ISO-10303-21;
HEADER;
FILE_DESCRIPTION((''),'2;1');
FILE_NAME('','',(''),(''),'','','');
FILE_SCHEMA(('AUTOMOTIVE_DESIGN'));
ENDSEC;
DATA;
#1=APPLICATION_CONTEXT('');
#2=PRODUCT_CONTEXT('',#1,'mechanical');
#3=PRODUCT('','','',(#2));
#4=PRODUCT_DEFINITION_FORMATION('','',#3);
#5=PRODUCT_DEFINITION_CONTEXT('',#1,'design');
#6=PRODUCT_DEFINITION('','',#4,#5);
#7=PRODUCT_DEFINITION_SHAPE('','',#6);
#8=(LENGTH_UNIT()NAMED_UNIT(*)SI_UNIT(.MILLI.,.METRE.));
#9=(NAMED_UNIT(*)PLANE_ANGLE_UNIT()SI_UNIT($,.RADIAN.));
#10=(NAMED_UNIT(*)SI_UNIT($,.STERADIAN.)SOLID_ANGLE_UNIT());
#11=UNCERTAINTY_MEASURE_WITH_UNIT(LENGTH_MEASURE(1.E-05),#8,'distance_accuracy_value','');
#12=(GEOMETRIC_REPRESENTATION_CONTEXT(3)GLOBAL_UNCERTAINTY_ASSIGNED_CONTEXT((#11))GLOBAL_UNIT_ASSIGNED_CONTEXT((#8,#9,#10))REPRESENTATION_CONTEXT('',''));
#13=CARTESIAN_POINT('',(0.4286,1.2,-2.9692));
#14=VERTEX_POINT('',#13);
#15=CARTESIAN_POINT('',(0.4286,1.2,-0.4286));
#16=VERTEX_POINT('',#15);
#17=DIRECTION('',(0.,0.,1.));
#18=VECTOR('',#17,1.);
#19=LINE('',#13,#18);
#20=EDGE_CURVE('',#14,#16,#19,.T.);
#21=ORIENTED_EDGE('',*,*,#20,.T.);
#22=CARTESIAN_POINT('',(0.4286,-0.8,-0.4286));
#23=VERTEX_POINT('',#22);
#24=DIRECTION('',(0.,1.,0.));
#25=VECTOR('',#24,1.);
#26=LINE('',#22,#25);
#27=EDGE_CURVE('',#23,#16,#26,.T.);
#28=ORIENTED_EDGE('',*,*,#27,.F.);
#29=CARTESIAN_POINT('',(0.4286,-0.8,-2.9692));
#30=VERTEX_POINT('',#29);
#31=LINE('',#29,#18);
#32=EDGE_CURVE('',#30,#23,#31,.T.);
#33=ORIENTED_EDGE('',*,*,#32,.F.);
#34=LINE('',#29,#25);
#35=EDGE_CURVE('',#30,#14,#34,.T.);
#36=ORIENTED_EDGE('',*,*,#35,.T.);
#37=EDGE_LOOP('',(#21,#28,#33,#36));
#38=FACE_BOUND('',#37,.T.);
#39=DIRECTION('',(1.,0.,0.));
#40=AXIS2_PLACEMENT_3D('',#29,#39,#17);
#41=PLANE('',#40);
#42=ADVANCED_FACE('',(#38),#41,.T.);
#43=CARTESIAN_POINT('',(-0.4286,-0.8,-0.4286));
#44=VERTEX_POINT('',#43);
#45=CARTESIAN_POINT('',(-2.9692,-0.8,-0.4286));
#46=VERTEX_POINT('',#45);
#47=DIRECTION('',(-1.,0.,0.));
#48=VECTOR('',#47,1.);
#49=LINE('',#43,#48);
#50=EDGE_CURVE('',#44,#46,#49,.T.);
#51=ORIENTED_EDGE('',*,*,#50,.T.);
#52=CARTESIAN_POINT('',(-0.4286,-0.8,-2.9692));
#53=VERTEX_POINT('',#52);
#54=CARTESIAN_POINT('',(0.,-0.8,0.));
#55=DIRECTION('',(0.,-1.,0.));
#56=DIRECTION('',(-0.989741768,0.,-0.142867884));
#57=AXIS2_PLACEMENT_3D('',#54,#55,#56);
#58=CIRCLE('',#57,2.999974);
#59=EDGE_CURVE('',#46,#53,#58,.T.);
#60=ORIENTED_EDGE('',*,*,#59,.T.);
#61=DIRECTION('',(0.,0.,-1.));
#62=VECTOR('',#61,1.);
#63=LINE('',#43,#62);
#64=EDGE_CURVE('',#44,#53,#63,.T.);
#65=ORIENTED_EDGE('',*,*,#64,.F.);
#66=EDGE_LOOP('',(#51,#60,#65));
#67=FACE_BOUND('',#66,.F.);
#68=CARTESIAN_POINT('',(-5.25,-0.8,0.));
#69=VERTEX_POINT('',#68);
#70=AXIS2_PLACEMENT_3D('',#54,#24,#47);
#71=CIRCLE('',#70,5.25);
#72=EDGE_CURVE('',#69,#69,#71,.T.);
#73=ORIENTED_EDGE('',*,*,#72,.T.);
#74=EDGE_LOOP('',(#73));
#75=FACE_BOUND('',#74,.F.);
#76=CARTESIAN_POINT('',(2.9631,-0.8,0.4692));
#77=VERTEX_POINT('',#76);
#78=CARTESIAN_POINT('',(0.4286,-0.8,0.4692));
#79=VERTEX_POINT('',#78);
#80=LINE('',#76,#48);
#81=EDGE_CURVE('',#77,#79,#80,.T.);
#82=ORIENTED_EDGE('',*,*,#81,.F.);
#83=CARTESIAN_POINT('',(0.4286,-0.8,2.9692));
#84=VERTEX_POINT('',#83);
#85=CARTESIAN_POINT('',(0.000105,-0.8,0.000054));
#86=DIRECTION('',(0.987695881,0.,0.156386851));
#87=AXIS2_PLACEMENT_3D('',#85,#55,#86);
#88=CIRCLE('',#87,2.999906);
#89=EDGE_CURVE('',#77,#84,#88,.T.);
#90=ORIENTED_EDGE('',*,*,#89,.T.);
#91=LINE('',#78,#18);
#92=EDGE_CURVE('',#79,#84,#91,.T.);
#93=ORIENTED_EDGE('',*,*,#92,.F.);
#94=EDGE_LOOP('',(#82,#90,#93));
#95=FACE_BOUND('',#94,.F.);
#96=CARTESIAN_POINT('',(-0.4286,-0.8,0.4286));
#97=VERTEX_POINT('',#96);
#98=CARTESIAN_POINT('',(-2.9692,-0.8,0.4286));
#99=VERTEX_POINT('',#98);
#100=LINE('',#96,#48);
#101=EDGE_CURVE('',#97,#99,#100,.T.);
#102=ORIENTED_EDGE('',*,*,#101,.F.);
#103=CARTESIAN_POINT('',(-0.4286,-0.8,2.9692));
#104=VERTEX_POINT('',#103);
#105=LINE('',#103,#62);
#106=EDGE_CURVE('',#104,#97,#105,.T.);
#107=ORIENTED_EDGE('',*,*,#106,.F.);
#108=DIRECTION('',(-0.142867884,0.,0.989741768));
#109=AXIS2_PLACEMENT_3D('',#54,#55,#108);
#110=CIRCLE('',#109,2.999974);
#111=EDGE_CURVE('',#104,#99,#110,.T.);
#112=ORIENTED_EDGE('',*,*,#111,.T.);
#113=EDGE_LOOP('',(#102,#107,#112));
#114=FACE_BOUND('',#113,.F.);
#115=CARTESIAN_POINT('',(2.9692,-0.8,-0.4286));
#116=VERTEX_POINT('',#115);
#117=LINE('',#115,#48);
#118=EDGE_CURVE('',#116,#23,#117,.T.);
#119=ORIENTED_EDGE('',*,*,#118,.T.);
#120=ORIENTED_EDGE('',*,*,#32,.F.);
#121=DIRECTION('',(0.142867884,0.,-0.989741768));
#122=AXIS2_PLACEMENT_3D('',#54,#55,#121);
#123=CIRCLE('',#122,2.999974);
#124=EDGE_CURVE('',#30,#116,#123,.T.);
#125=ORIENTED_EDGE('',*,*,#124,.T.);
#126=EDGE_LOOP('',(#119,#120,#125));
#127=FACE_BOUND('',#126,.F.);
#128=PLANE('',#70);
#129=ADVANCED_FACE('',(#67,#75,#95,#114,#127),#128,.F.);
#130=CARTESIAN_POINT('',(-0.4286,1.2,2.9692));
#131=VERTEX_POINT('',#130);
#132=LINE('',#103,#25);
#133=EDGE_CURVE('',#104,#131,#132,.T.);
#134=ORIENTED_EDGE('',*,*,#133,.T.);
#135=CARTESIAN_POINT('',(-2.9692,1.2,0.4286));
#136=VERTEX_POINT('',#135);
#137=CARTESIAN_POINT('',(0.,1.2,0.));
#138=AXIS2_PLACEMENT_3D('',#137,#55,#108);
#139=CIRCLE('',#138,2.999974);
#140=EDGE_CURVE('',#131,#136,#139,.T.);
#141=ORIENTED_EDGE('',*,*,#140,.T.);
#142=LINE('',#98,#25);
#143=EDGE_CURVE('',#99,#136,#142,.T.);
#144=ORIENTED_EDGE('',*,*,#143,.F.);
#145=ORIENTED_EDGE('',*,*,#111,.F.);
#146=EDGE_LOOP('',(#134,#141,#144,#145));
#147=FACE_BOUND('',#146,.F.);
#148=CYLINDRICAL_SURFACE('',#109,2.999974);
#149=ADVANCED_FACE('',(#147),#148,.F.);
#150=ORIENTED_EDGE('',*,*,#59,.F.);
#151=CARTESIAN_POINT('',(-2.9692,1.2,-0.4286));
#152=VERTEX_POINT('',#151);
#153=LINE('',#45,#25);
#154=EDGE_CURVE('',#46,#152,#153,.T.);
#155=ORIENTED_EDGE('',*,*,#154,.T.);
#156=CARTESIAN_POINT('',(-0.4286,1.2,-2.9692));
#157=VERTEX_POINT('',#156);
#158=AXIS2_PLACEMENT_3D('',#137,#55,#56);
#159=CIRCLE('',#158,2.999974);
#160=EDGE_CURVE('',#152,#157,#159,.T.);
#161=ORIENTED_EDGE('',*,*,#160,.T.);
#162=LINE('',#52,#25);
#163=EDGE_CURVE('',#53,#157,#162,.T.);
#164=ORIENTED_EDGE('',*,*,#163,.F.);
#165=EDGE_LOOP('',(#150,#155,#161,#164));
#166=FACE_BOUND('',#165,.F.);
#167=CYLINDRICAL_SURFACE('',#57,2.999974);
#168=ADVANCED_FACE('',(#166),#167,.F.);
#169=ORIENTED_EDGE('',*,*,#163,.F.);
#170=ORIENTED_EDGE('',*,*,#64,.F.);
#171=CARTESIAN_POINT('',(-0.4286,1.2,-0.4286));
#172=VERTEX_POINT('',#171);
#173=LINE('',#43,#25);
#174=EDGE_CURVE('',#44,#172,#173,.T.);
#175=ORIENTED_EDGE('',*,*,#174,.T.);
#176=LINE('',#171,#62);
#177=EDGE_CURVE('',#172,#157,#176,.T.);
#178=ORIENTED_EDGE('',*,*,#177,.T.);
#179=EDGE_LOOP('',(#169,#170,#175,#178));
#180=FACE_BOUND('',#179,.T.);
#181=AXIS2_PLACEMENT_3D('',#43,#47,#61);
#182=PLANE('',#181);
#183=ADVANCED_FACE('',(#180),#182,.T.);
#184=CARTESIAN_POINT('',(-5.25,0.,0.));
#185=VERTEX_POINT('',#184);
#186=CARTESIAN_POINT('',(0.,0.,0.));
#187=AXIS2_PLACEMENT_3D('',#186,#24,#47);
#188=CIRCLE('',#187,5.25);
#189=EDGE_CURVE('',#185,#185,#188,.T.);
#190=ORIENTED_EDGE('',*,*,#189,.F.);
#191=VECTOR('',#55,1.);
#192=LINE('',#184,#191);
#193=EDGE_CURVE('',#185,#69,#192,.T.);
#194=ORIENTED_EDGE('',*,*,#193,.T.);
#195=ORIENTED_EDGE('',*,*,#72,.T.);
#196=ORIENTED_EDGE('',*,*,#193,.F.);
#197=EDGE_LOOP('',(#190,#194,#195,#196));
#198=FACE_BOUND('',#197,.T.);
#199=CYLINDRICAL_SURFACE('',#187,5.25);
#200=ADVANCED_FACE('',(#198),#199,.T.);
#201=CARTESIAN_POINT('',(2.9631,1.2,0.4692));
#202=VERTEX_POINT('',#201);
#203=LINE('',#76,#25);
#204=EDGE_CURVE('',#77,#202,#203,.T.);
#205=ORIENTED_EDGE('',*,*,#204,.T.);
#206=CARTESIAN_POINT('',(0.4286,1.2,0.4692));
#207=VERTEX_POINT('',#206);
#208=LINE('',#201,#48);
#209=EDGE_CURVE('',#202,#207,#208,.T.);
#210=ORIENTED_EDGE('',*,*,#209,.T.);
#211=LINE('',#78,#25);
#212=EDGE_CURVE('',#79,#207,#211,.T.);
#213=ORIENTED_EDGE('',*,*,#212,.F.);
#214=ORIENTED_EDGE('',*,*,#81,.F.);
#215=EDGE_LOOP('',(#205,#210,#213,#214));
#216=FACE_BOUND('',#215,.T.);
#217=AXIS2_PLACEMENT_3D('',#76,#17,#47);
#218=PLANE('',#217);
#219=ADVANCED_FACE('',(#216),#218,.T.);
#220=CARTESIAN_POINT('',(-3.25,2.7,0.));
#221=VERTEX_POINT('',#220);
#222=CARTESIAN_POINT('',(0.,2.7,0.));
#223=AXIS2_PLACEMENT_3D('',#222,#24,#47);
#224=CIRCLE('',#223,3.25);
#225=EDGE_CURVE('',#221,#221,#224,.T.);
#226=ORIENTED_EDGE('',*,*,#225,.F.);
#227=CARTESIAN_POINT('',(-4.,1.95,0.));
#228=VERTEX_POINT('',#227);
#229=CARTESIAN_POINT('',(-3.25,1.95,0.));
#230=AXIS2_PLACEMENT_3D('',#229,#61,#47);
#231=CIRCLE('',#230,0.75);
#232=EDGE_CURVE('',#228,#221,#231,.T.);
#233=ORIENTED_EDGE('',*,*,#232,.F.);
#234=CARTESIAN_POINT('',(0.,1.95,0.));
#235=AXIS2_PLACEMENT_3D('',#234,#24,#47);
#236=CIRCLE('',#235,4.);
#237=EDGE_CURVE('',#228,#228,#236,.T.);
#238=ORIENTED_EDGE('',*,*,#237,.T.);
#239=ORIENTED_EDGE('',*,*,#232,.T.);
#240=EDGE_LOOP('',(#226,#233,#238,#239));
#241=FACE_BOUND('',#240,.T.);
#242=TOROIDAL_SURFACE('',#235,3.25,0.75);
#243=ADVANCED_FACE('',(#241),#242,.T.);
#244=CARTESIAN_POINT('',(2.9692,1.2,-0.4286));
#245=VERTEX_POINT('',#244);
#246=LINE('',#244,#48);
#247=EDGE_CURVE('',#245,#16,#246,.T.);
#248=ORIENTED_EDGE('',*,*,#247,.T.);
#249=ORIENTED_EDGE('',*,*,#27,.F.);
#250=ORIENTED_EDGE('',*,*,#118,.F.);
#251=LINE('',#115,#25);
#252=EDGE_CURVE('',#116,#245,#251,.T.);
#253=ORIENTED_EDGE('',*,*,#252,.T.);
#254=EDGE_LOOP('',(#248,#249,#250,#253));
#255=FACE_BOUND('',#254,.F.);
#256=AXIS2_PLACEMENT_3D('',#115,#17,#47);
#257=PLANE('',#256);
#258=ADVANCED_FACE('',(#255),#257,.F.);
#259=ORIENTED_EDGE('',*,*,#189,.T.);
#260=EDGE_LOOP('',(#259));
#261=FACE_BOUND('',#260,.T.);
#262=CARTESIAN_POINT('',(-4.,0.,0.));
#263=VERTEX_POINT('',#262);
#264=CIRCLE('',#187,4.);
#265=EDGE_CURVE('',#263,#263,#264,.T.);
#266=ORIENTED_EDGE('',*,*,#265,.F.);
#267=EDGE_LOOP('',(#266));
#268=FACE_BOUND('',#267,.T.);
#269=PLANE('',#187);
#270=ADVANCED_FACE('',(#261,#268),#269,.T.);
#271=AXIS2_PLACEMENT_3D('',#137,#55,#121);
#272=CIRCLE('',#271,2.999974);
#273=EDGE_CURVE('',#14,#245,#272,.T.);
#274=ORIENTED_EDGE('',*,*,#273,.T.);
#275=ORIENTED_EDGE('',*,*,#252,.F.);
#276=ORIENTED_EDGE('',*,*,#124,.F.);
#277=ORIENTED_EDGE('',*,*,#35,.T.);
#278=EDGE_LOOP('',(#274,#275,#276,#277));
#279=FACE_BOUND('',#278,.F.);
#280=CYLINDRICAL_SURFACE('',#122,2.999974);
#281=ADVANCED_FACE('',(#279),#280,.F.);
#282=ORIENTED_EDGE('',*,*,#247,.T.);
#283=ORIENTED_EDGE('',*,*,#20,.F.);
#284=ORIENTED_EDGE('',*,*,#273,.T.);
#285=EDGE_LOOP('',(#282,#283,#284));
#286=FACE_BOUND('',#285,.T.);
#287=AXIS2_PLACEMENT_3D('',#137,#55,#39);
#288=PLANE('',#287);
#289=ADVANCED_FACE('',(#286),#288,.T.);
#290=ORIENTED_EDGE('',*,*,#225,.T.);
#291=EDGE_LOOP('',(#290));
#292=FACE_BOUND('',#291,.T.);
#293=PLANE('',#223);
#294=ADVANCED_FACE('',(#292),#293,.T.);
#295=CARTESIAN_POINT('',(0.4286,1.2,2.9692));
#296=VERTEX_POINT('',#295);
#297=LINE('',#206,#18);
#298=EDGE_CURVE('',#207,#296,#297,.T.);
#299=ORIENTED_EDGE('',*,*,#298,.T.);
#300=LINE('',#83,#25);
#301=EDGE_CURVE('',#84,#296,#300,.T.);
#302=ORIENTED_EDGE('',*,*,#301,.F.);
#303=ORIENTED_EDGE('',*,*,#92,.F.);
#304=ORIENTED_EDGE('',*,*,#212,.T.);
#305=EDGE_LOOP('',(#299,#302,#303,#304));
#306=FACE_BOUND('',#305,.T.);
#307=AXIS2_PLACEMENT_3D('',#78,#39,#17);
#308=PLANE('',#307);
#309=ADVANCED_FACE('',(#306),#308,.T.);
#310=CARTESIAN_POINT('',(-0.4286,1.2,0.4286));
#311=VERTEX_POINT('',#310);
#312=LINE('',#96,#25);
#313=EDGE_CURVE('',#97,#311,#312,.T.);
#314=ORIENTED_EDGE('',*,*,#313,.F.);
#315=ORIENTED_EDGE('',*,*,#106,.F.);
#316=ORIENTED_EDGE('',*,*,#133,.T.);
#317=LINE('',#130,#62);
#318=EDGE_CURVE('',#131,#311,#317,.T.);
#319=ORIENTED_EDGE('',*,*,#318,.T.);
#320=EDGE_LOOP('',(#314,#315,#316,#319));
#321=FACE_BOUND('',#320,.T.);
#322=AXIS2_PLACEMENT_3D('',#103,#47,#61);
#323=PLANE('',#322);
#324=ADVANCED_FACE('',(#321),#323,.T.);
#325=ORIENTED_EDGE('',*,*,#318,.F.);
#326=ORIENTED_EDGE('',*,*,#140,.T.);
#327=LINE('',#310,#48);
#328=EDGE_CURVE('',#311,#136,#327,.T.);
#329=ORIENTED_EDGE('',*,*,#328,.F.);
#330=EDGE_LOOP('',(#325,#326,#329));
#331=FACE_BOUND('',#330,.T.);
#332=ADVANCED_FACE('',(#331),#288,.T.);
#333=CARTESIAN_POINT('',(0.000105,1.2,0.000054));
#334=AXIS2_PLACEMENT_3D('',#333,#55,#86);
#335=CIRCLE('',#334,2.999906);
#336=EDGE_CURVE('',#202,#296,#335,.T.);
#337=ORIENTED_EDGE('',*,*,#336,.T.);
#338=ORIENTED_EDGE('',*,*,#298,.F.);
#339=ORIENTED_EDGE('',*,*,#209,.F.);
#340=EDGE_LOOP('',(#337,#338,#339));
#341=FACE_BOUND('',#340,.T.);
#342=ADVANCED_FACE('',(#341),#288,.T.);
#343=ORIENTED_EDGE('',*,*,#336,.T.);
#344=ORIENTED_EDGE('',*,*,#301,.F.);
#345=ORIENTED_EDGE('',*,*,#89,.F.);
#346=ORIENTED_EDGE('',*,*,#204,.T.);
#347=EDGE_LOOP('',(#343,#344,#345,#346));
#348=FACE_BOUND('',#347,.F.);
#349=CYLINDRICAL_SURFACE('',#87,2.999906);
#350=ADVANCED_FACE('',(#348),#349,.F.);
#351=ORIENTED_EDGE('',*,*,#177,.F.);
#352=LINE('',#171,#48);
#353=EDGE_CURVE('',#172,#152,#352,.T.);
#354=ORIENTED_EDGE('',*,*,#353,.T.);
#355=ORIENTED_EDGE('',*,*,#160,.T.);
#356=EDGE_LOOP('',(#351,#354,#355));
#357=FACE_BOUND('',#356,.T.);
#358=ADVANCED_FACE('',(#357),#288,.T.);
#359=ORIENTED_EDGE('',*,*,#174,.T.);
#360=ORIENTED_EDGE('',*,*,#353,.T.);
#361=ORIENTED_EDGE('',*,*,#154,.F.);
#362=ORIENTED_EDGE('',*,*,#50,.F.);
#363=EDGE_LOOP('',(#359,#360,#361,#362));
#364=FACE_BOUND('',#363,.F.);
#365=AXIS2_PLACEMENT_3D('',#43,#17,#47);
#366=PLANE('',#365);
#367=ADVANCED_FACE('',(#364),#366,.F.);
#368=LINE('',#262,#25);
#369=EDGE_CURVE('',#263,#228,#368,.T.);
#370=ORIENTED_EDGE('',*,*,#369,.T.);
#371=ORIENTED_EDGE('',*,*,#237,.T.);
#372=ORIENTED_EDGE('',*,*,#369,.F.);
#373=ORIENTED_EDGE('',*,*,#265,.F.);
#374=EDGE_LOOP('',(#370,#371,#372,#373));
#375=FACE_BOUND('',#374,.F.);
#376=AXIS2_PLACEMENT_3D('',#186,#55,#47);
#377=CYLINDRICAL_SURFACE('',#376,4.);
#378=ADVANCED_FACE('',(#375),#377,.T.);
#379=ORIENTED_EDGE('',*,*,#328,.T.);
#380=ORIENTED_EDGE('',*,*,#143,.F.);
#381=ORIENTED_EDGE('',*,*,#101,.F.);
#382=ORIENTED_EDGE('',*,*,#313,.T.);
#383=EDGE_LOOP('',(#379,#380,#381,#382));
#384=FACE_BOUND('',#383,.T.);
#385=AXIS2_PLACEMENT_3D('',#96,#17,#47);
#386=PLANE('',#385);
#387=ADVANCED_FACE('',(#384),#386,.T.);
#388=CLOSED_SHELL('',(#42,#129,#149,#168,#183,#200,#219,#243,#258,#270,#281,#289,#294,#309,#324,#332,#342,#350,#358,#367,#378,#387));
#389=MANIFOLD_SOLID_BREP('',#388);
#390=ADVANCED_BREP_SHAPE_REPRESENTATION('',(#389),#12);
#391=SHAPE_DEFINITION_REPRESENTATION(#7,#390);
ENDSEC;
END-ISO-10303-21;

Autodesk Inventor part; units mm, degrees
ref_plane "YZ Plane" through (0, 0, 0) normal (1, 0, 0) x (0, 1, 0)
ref_plane "XZ Plane" through (0, 0, 0) normal (0, 1, 0) x (-1, 0, 0)
ref_plane "XY Plane" through (0, 0, 0) normal (0, 0, 1) x (1, 0, 0)
sketch "Sketch1" plane through (0, 0, 0) normal (0, 1, 0) x (-1, 0, 0)
  circle A0 centre (0, 0) radius 5.25
  circle A1 centre (0, 0) radius 4
  dimension "d0" = 10.5
  dimension "d1" = 8
extrude "Extrusion1" add sketch "Sketch1" against normal blind 0.8 contours A0 | A1
extrude "Extrusion2" add sketch "Sketch1" along normal blind 2.7 contours A1
fillet "Fillet3" radius 0.75 1 edges at (4, 2.7, 0)
sketch "Sketch2" plane through (0, -0.8, 0) normal (0, -1, 0) x (1, 0, 0)
  arc A0 (0.4286, -2.9692) -> (2.9692, -0.4286) centre (0, 0) ccw
  line L0 (0.4286, -2.9692) -> (0.4286, -0.4286)
  arc A1 (-2.9692, -0.4286) -> (-0.4286, -2.9692) centre (0, 0) ccw
  line L1 (-0.4286, 2.9692) -> (-0.4286, 0.4286)
  arc A2 (-0.4286, 2.9692) -> (-2.9692, 0.4286) centre (0, 0) ccw
  arc A3 (2.9631, 0.4692) -> (0.4286, 2.9692) centre (0, 0) ccw
  line L2 (2.9631, 0.4692) -> (0.4286, 0.4692)
  line L3 (2.9692, -0.4286) -> (0.4286, -0.4286)
  line L4 (0.4286, 0.4692) -> (0.4286, 2.9692)
  line L5 (-0.4286, -0.4286) -> (-0.4286, -2.9692)
  line L6 (-0.4286, -0.4286) -> (-2.9692, -0.4286)
  line L7 (-0.4286, 0.4286) -> (-2.9692, 0.4286)
  circle A4 centre (0, 0) radius 3
extrude "Extrusion3" cut sketch "Sketch2" against normal blind 2 contours L0 L3 A0 | A1 L6 L5 | L2 L4 A3 | A2 L1 L7
properties part number "action-button"
